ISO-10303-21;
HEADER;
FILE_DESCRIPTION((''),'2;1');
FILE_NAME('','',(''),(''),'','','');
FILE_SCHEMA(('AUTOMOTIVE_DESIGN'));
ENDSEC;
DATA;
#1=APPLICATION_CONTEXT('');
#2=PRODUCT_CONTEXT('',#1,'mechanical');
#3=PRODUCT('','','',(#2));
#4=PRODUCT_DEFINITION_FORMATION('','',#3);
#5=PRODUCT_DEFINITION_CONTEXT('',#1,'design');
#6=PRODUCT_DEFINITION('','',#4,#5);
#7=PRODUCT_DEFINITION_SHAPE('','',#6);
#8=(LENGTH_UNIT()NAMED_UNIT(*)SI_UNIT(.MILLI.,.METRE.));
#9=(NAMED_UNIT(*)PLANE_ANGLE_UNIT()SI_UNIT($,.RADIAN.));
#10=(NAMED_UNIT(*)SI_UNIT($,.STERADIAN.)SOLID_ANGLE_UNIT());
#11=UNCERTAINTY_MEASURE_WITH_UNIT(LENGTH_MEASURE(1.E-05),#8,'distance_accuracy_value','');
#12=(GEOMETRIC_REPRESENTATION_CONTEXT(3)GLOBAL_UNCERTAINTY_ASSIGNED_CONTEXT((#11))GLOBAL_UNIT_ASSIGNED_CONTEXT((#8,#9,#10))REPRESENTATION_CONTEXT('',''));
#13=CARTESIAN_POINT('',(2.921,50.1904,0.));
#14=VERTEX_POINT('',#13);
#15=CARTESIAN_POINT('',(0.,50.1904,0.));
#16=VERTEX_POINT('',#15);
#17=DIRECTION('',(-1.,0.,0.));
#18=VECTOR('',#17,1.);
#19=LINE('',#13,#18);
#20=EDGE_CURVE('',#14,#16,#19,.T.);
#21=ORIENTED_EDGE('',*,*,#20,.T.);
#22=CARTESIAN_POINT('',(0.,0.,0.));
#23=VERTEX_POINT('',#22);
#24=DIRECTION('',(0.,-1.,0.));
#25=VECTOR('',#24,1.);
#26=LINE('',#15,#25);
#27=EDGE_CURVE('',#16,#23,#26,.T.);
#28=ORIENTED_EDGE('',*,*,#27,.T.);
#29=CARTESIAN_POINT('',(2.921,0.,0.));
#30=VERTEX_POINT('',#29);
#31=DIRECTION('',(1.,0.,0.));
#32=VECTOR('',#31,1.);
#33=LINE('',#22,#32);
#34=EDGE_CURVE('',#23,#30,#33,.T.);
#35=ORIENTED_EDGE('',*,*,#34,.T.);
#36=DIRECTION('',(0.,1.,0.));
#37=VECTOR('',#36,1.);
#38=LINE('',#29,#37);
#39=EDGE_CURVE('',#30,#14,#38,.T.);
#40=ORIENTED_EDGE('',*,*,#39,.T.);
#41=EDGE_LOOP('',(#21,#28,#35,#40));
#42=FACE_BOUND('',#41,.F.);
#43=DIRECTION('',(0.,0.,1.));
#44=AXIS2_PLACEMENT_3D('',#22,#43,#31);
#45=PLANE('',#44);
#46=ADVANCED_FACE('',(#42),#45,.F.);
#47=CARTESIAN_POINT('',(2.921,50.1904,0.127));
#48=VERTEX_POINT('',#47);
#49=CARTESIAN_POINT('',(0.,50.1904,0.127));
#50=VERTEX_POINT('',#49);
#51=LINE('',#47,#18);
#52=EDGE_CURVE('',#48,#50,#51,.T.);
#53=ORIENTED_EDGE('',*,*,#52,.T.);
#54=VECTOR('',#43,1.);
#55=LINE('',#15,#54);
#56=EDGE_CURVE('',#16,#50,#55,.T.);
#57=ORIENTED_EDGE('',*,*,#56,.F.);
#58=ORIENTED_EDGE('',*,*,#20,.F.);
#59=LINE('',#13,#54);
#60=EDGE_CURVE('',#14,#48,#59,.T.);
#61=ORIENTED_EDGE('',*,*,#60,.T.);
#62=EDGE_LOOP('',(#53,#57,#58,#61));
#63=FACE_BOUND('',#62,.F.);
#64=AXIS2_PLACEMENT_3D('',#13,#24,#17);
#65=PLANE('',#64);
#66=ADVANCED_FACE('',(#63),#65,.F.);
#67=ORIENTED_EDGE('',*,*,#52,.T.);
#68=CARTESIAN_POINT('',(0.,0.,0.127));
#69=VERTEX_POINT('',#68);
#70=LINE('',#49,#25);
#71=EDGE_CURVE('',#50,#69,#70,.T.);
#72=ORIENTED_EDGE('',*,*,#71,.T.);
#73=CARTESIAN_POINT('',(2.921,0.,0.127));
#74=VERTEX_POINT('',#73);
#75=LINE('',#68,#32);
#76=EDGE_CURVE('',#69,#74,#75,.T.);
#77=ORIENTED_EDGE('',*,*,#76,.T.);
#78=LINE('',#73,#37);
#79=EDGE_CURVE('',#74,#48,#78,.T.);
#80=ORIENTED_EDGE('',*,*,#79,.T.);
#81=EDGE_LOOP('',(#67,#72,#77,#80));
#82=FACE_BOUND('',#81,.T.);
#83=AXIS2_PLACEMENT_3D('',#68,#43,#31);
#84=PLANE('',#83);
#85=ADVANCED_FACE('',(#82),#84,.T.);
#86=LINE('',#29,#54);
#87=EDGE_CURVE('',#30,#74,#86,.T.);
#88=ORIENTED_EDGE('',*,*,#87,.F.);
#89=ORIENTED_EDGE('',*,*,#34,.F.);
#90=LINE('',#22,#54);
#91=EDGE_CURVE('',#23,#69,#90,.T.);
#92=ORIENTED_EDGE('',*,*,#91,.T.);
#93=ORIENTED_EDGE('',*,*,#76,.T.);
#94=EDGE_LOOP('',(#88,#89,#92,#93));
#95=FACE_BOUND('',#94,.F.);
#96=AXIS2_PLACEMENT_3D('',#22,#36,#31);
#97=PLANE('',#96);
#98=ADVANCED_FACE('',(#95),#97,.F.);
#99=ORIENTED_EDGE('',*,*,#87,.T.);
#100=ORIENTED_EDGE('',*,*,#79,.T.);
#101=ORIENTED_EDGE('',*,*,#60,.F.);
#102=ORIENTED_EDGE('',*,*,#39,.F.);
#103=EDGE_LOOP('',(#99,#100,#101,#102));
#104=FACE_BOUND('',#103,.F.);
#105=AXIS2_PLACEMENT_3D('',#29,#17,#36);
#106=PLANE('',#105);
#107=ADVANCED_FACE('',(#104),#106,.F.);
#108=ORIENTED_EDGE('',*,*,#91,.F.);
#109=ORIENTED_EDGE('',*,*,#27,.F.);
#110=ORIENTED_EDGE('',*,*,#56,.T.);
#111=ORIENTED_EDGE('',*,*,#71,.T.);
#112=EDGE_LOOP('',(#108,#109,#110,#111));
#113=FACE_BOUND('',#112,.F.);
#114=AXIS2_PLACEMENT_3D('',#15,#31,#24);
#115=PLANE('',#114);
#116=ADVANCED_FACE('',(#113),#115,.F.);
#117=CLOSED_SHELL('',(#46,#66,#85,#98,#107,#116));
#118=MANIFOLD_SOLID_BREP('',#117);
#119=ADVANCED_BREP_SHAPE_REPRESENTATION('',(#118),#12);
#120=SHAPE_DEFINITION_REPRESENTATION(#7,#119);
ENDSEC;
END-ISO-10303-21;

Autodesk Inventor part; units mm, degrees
ref_plane "YZ Plane" through (0, 0, 0) normal (1, 0, 0) x (0, 1, 0)
ref_plane "XZ Plane" through (0, 0, 0) normal (0, 1, 0) x (-1, 0, 0)
ref_plane "XY Plane" through (0, 0, 0) normal (0, 0, 1) x (1, 0, 0)
sketch "Sketch1" plane through (0, 0, 0) normal (0, 0, 1) x (1, 0, 0)
  line L0 (0, 0) -> (2.921, 0)
  line L1 (2.921, 0) -> (2.921, 50.1904)
  line L2 (2.921, 50.1904) -> (0, 50.1904)
  line L3 (0, 50.1904) -> (0, 0)
  dimension "d0" = 2.921
  dimension "d1" = 50.1904
extrude "Extrusion1" add sketch "Sketch1" along normal blind 0.127
properties part number "Ignore this-For constraining purposes 2"
